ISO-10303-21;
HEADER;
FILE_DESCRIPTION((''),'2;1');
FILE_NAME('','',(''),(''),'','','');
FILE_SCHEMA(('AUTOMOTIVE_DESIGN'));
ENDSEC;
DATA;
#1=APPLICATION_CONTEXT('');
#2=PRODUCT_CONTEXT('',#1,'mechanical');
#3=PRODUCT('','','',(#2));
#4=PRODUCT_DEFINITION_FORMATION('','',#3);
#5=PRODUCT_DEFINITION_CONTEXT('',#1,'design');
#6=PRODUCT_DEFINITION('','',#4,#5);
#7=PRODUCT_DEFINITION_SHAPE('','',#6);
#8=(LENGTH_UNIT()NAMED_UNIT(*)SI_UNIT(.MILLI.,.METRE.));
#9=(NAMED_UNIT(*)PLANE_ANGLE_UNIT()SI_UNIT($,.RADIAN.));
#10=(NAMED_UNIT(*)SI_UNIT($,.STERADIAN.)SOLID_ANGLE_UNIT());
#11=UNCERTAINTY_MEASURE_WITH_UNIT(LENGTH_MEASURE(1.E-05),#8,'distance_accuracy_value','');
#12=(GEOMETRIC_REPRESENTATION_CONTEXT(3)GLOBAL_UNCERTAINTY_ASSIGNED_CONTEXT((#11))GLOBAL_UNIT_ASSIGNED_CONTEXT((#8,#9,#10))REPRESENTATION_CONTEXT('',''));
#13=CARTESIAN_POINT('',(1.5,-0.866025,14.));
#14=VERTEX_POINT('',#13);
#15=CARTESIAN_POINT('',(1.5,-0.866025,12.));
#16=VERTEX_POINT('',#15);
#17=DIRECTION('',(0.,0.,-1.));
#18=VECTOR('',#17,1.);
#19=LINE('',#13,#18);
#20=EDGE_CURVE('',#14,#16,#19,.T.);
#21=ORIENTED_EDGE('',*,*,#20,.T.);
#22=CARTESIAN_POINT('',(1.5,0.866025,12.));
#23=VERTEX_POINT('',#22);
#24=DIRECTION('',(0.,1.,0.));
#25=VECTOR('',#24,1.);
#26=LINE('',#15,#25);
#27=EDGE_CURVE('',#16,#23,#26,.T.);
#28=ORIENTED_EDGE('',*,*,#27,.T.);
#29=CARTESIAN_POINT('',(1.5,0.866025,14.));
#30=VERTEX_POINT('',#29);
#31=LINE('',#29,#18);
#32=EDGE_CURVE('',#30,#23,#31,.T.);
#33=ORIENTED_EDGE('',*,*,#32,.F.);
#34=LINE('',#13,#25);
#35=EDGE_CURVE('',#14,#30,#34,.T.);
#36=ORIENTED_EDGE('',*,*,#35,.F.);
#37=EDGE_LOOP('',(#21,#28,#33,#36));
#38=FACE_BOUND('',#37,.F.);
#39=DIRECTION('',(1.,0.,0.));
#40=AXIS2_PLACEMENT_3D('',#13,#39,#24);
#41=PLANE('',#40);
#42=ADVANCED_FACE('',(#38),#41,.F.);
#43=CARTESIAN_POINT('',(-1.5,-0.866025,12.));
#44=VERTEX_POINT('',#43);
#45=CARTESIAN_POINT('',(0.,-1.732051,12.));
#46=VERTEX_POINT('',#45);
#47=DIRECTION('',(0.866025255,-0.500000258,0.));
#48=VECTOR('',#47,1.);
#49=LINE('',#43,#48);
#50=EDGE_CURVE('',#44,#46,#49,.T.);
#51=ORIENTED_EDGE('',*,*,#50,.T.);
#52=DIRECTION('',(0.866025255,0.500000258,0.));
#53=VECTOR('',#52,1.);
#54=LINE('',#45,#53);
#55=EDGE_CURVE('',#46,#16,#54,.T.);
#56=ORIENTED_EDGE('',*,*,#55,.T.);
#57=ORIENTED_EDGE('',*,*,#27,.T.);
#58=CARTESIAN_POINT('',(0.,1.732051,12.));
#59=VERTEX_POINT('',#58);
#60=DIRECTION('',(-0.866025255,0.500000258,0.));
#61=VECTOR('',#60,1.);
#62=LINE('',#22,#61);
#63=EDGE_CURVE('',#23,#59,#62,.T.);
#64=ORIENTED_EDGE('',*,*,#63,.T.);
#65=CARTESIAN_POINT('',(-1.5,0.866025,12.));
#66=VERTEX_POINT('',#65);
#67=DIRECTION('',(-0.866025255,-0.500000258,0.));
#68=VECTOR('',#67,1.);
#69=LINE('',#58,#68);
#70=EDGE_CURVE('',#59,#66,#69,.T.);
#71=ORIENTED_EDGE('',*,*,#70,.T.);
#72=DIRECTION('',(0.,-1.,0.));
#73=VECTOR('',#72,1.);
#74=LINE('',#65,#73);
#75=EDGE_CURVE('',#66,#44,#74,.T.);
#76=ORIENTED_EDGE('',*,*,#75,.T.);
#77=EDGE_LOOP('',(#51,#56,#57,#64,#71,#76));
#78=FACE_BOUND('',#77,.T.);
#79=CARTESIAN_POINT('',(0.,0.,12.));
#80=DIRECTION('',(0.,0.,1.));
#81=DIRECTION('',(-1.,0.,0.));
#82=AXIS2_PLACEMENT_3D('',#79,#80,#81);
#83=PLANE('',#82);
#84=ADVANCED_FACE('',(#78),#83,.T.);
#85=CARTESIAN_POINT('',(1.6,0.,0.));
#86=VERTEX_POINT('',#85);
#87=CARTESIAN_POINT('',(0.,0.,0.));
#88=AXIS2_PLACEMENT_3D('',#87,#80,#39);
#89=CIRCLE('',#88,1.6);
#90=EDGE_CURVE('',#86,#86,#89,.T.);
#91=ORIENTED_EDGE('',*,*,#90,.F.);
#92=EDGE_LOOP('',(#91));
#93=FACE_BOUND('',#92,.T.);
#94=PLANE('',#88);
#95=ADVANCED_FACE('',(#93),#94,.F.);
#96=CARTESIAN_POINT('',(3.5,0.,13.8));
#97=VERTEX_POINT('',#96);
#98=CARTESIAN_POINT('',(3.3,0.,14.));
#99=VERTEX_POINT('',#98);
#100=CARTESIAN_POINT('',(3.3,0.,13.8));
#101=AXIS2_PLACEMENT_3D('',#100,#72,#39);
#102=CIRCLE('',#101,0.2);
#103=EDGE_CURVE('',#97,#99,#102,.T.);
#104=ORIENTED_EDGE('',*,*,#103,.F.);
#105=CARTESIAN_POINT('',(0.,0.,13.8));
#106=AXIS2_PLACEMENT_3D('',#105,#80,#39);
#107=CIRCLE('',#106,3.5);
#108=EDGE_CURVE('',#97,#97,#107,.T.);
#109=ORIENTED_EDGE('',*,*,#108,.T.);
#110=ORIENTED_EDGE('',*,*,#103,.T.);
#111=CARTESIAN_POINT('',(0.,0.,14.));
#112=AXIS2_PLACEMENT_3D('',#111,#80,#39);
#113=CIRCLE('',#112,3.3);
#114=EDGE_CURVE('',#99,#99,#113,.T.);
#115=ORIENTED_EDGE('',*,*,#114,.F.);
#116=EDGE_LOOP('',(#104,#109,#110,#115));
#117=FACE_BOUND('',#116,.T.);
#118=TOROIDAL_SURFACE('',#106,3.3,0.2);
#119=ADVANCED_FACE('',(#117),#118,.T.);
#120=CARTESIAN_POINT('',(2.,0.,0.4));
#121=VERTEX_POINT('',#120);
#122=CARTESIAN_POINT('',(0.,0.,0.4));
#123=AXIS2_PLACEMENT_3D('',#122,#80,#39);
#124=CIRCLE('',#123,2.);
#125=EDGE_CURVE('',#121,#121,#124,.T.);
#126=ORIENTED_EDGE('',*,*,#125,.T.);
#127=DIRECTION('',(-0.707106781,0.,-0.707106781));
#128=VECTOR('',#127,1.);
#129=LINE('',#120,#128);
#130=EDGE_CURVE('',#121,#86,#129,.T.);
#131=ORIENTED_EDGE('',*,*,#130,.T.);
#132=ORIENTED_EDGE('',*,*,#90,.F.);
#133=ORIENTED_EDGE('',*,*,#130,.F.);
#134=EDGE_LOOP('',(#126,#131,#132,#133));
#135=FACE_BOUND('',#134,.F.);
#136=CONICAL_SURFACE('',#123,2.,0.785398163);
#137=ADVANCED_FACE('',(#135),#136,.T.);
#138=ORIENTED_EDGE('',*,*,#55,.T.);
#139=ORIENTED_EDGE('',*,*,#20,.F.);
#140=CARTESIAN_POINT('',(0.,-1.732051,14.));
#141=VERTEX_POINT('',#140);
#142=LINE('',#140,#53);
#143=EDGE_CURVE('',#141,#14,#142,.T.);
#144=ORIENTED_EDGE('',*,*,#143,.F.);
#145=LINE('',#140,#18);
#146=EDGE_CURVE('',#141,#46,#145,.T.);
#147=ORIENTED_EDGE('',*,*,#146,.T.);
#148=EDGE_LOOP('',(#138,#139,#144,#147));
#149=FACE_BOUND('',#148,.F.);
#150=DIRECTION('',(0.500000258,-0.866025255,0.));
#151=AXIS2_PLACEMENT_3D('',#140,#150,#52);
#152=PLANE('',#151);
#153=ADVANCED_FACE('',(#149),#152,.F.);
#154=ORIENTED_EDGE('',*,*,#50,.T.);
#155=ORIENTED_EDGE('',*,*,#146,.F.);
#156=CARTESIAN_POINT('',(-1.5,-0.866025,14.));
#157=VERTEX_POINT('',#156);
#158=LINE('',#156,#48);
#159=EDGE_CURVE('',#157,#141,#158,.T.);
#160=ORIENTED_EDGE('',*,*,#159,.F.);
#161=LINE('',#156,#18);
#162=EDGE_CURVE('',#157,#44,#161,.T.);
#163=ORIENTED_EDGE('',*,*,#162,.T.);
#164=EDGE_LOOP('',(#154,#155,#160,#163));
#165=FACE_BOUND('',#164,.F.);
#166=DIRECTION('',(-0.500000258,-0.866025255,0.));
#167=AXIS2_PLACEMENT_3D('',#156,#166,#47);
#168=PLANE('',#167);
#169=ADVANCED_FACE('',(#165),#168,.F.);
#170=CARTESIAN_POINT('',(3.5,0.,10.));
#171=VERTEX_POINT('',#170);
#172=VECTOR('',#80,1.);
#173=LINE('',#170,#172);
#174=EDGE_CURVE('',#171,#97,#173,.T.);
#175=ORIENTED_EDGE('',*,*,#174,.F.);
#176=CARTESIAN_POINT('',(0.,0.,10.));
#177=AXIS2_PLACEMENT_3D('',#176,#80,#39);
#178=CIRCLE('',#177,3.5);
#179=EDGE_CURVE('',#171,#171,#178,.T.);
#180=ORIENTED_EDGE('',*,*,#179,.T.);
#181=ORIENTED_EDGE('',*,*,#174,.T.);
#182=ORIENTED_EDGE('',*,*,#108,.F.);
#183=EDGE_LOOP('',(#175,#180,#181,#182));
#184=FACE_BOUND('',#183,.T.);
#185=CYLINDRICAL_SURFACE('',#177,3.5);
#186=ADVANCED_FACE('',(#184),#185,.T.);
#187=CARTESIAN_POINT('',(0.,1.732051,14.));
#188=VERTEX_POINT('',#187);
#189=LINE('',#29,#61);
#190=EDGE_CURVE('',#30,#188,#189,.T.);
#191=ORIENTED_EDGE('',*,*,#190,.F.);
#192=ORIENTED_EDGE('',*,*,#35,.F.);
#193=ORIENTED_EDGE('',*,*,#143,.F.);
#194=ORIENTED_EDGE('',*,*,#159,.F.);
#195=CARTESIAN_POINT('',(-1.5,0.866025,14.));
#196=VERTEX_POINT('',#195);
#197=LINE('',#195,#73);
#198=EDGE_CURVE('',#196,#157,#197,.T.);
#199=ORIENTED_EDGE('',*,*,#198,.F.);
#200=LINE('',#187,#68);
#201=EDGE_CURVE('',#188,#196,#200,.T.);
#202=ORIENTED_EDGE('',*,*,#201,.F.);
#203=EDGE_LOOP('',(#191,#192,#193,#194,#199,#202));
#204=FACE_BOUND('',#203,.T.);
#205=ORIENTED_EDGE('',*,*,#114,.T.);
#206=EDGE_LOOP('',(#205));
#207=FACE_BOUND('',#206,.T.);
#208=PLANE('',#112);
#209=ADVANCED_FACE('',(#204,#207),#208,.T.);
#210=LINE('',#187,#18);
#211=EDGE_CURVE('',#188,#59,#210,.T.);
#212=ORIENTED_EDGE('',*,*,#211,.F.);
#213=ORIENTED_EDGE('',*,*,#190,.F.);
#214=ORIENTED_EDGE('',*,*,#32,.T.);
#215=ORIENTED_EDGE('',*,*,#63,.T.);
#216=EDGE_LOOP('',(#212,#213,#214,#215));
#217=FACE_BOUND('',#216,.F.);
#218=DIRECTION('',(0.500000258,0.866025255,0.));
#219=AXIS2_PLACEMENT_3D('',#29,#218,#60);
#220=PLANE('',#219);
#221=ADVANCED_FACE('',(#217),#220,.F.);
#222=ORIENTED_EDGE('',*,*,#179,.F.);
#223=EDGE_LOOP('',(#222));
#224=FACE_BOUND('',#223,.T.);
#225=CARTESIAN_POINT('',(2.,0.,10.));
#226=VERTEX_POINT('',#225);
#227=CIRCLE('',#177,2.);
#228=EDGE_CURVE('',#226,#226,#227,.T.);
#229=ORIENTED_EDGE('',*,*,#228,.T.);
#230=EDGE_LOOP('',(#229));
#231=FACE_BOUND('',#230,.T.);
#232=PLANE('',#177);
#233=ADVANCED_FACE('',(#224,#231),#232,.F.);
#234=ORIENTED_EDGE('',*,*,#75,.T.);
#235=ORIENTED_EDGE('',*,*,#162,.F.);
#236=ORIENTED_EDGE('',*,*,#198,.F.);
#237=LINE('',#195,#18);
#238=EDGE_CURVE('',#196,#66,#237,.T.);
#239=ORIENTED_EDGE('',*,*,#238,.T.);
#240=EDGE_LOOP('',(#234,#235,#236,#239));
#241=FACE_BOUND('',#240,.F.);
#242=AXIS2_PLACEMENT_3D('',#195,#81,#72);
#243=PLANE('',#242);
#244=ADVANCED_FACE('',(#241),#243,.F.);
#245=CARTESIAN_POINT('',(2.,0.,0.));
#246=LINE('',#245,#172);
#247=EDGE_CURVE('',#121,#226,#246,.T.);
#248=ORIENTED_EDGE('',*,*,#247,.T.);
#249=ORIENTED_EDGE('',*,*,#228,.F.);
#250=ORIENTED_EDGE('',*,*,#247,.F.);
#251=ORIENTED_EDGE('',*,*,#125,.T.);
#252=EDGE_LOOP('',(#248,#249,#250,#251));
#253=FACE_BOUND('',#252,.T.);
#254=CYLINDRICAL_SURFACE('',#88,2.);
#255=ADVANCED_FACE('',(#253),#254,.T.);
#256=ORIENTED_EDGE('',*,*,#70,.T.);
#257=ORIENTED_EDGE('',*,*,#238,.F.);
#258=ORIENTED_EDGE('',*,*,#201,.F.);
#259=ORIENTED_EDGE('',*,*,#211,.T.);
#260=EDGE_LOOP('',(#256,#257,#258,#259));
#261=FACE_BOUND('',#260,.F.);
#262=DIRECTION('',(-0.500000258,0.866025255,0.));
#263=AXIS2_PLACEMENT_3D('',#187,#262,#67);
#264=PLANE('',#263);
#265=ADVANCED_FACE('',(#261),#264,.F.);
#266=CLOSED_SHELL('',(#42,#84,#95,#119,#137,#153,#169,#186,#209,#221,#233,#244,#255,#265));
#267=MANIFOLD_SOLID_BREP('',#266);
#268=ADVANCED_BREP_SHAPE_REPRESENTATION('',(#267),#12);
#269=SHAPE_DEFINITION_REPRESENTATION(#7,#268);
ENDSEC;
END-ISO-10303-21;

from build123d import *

# Parameters (mm, degrees)
CHAMFER_SIZE = 0.4
FILLET_R     = 0.2
POCKET_DEPTH = 2


with BuildPart() as part:
    # Sketch → Revolution (revolve)
    with BuildSketch(Plane.XZ):
        Polygon((2, 0), (2, 10), (3.5, 10), (3.5, 14), (0, 14), (0, 0), align=None)
    revolve(axis=Axis((0, 0, 0), (0, 0, 1)))

    # Chamfer
    chamfer_edges = [part.edges().sort_by_distance(p)[0] for p in [
        (-2, 0, 0),
    ]]
    chamfer(chamfer_edges, length=CHAMFER_SIZE)

    # Fillet
    fillet_edges = [part.edges().sort_by_distance(p)[0] for p in [
        (-3.5, 0, 14),
    ]]
    fillet(fillet_edges, radius=FILLET_R)

    # Sketch001 (on Face6 of Chamfer) → Pocket (cut)
    with BuildSketch(Plane(origin=(0, 0, 14), x_dir=(-1, 0, 0), z_dir=(0, 0, 1))):
        Polygon((1.5, 0.866025), (0, 1.732051), (-1.5, 0.866025), (-1.5, -0.866025), (0, -1.732051), (1.5, -0.866025), align=None)
    extrude(amount=-POCKET_DEPTH, mode=Mode.SUBTRACT)


solid = part.part
